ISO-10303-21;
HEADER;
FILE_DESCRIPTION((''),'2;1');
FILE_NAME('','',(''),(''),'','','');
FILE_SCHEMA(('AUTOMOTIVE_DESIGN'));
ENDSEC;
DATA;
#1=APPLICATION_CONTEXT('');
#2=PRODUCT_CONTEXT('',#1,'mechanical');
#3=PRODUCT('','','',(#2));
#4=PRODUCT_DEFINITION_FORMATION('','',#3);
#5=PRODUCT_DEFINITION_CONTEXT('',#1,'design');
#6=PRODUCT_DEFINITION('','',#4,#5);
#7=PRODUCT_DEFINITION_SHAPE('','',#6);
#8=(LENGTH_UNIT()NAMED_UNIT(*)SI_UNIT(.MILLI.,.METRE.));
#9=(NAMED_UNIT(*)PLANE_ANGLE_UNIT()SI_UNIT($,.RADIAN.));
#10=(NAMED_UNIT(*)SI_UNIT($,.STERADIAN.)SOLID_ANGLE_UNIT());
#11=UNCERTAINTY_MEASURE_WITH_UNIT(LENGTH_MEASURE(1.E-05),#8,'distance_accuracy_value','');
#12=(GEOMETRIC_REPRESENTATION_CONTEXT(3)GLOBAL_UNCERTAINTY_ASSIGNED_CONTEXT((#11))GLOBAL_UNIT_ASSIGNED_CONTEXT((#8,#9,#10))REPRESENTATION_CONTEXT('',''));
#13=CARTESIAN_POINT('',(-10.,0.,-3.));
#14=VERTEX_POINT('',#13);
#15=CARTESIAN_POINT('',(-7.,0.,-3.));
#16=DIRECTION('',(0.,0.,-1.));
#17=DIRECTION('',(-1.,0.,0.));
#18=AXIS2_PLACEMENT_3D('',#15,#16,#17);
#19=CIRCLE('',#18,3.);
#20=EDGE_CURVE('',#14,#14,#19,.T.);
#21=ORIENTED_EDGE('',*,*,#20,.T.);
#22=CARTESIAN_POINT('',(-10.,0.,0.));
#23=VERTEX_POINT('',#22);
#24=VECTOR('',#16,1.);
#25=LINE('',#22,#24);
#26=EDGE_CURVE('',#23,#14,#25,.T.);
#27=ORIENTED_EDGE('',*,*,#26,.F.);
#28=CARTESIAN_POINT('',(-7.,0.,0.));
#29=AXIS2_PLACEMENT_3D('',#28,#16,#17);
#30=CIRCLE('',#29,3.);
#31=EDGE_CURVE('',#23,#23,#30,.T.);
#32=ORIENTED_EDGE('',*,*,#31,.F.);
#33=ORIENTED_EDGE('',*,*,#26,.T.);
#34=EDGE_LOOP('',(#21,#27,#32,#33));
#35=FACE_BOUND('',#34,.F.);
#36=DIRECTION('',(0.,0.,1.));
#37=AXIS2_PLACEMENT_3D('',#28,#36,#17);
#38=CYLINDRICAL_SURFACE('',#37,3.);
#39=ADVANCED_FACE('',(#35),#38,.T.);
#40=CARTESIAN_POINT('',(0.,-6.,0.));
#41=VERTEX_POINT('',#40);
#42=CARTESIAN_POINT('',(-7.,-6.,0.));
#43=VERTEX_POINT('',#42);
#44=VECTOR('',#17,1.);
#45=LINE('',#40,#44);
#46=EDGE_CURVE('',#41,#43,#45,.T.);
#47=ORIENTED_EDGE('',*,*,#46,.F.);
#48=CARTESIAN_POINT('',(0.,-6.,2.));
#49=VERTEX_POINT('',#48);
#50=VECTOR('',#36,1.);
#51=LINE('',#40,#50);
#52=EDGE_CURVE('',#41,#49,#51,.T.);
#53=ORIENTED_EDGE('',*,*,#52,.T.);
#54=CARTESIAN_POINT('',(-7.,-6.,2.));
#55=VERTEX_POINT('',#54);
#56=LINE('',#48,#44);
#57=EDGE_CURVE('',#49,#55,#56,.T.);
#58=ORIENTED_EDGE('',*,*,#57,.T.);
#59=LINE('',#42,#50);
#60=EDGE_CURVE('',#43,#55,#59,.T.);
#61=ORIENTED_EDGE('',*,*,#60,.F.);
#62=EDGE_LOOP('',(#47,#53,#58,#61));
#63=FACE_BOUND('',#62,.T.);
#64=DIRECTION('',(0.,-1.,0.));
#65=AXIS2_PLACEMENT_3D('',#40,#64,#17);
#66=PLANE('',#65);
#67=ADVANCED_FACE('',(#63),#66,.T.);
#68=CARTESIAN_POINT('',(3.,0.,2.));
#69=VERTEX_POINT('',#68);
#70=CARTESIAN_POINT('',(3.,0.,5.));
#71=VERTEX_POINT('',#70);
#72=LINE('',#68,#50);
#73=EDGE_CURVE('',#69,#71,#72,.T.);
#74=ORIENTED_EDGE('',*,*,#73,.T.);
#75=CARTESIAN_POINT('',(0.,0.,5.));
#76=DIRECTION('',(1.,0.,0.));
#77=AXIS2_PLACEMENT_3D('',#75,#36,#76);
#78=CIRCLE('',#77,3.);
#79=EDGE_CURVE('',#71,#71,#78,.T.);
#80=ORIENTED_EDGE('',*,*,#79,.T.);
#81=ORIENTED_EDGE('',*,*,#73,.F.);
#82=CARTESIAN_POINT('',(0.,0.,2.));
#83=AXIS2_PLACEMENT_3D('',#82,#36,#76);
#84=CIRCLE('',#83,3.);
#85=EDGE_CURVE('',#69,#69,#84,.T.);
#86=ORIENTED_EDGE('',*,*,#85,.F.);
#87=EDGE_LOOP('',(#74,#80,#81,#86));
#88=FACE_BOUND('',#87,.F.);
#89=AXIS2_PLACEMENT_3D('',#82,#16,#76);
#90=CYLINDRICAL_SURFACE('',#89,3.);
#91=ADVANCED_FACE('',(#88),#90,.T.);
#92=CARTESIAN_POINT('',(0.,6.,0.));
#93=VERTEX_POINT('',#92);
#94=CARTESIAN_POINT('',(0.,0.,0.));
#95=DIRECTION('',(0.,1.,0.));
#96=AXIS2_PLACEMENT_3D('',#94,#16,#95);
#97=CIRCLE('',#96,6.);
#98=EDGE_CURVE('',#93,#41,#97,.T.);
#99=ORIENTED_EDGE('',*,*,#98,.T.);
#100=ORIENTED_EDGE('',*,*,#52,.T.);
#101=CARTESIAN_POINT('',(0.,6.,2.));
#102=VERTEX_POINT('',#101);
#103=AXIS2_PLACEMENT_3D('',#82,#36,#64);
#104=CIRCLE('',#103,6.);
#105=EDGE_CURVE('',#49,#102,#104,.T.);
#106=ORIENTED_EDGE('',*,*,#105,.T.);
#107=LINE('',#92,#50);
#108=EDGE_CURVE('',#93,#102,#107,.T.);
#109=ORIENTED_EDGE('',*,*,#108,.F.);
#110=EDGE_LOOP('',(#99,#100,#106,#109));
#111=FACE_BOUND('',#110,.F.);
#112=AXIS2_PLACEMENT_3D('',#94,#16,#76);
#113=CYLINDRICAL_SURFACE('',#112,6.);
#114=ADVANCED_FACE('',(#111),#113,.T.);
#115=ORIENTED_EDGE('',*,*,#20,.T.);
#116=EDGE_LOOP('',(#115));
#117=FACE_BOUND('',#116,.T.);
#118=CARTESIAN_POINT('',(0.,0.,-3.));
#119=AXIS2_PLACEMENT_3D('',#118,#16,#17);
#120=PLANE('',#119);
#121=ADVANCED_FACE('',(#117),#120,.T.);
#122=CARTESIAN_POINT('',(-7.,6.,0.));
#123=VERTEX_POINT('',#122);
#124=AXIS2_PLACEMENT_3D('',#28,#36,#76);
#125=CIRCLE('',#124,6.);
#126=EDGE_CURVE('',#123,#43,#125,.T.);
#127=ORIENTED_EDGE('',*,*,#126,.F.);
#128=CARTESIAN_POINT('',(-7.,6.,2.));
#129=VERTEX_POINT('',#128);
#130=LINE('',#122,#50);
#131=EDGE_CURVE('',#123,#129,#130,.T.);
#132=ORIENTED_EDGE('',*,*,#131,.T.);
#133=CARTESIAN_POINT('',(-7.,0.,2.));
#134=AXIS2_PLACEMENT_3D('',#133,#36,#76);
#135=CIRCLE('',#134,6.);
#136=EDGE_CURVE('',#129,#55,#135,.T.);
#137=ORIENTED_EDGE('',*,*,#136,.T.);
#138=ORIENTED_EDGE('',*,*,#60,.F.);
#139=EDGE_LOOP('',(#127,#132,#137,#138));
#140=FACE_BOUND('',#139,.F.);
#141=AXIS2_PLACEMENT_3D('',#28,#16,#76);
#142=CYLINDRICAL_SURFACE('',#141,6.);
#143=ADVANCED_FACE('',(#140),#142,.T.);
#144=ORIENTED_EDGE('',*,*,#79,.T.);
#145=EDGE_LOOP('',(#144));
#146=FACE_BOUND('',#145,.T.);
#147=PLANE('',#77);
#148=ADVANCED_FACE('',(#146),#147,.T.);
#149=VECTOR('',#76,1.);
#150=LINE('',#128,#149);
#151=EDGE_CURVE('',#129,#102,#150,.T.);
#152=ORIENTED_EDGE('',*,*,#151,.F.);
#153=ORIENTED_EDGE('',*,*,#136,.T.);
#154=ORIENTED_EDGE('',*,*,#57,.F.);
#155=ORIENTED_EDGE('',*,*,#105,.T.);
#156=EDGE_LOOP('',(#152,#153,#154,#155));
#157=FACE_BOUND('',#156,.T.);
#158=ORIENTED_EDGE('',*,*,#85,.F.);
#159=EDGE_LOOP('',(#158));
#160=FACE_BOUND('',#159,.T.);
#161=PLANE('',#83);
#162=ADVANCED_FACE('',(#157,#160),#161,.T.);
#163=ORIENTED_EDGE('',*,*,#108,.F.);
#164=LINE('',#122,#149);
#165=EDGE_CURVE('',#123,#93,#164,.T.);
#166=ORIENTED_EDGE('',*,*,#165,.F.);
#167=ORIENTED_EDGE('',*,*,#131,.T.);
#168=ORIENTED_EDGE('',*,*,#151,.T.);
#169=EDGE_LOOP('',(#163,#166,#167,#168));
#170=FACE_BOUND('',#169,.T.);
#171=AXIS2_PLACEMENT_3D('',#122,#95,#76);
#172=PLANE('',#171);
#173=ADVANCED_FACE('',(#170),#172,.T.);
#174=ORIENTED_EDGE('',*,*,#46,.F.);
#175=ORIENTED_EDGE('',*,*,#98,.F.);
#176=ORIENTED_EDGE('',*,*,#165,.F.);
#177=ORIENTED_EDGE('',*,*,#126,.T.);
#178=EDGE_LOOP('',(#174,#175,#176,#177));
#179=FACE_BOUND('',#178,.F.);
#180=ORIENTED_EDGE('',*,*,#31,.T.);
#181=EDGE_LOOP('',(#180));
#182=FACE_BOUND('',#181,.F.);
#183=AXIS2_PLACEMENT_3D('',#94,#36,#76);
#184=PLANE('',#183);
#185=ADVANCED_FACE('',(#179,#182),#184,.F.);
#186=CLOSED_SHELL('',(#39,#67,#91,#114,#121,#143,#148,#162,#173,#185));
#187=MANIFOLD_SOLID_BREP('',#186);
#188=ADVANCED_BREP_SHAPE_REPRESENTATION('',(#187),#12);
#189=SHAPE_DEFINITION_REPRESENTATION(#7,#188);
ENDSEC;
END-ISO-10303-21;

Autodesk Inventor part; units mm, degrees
ref_plane "YZ Plane" through (0, 0, 0) normal (1, 0, 0) x (0, 1, 0)
ref_plane "XZ Plane" through (0, 0, 0) normal (0, 1, 0) x (-1, 0, 0)
ref_plane "XY Plane" through (0, 0, 0) normal (0, 0, 1) x (1, 0, 0)
sketch "スケッチ1" plane through (0, 0, 0) normal (0, 0, 1) x (1, 0, 0)
  circle A0 centre (0, 0) radius 17.5 construction
  circle A1 centre (-7, 0) radius 10.5 construction
  circle A2 centre (-7, 0) radius 6
  circle A3 centre (0, 0) radius 6
  line L0 (-7, 6) -> (0, 6)
  line L1 (0, 6) -> (0, -6) construction
  line L2 (0, -6) -> (-7, -6)
  line L3 (-7, -6) -> (-7, 6) construction
  dimension "d2" = 12
  dimension "d3" = 12
  dimension "d0" = 35
  dimension "d1" = 21
extrude "押し出し1" add sketch "スケッチ1" along normal blind 2
sketch "スケッチ2" plane through (0, 0, 2) normal (0, 0, 1) x (1, 0, 0)
  circle A0 centre (0, 0) radius 3
  dimension "d6" = 6
extrude "押し出し2" add sketch "スケッチ2" along normal blind 3
sketch "スケッチ3" plane through (0, 0, 0) normal (0, 0, -1) x (-1, 0, 0)
  arc A0 (7, -6) -> (7, 6) centre (7, 0) ccw projected
  circle A1 centre (7, 0) radius 3
  point P0 (0, 0)
  dimension "d9" = 6
extrude "押し出し3" add sketch "スケッチ3" along normal blind 3
properties part number "wrist_gear_spacer"
